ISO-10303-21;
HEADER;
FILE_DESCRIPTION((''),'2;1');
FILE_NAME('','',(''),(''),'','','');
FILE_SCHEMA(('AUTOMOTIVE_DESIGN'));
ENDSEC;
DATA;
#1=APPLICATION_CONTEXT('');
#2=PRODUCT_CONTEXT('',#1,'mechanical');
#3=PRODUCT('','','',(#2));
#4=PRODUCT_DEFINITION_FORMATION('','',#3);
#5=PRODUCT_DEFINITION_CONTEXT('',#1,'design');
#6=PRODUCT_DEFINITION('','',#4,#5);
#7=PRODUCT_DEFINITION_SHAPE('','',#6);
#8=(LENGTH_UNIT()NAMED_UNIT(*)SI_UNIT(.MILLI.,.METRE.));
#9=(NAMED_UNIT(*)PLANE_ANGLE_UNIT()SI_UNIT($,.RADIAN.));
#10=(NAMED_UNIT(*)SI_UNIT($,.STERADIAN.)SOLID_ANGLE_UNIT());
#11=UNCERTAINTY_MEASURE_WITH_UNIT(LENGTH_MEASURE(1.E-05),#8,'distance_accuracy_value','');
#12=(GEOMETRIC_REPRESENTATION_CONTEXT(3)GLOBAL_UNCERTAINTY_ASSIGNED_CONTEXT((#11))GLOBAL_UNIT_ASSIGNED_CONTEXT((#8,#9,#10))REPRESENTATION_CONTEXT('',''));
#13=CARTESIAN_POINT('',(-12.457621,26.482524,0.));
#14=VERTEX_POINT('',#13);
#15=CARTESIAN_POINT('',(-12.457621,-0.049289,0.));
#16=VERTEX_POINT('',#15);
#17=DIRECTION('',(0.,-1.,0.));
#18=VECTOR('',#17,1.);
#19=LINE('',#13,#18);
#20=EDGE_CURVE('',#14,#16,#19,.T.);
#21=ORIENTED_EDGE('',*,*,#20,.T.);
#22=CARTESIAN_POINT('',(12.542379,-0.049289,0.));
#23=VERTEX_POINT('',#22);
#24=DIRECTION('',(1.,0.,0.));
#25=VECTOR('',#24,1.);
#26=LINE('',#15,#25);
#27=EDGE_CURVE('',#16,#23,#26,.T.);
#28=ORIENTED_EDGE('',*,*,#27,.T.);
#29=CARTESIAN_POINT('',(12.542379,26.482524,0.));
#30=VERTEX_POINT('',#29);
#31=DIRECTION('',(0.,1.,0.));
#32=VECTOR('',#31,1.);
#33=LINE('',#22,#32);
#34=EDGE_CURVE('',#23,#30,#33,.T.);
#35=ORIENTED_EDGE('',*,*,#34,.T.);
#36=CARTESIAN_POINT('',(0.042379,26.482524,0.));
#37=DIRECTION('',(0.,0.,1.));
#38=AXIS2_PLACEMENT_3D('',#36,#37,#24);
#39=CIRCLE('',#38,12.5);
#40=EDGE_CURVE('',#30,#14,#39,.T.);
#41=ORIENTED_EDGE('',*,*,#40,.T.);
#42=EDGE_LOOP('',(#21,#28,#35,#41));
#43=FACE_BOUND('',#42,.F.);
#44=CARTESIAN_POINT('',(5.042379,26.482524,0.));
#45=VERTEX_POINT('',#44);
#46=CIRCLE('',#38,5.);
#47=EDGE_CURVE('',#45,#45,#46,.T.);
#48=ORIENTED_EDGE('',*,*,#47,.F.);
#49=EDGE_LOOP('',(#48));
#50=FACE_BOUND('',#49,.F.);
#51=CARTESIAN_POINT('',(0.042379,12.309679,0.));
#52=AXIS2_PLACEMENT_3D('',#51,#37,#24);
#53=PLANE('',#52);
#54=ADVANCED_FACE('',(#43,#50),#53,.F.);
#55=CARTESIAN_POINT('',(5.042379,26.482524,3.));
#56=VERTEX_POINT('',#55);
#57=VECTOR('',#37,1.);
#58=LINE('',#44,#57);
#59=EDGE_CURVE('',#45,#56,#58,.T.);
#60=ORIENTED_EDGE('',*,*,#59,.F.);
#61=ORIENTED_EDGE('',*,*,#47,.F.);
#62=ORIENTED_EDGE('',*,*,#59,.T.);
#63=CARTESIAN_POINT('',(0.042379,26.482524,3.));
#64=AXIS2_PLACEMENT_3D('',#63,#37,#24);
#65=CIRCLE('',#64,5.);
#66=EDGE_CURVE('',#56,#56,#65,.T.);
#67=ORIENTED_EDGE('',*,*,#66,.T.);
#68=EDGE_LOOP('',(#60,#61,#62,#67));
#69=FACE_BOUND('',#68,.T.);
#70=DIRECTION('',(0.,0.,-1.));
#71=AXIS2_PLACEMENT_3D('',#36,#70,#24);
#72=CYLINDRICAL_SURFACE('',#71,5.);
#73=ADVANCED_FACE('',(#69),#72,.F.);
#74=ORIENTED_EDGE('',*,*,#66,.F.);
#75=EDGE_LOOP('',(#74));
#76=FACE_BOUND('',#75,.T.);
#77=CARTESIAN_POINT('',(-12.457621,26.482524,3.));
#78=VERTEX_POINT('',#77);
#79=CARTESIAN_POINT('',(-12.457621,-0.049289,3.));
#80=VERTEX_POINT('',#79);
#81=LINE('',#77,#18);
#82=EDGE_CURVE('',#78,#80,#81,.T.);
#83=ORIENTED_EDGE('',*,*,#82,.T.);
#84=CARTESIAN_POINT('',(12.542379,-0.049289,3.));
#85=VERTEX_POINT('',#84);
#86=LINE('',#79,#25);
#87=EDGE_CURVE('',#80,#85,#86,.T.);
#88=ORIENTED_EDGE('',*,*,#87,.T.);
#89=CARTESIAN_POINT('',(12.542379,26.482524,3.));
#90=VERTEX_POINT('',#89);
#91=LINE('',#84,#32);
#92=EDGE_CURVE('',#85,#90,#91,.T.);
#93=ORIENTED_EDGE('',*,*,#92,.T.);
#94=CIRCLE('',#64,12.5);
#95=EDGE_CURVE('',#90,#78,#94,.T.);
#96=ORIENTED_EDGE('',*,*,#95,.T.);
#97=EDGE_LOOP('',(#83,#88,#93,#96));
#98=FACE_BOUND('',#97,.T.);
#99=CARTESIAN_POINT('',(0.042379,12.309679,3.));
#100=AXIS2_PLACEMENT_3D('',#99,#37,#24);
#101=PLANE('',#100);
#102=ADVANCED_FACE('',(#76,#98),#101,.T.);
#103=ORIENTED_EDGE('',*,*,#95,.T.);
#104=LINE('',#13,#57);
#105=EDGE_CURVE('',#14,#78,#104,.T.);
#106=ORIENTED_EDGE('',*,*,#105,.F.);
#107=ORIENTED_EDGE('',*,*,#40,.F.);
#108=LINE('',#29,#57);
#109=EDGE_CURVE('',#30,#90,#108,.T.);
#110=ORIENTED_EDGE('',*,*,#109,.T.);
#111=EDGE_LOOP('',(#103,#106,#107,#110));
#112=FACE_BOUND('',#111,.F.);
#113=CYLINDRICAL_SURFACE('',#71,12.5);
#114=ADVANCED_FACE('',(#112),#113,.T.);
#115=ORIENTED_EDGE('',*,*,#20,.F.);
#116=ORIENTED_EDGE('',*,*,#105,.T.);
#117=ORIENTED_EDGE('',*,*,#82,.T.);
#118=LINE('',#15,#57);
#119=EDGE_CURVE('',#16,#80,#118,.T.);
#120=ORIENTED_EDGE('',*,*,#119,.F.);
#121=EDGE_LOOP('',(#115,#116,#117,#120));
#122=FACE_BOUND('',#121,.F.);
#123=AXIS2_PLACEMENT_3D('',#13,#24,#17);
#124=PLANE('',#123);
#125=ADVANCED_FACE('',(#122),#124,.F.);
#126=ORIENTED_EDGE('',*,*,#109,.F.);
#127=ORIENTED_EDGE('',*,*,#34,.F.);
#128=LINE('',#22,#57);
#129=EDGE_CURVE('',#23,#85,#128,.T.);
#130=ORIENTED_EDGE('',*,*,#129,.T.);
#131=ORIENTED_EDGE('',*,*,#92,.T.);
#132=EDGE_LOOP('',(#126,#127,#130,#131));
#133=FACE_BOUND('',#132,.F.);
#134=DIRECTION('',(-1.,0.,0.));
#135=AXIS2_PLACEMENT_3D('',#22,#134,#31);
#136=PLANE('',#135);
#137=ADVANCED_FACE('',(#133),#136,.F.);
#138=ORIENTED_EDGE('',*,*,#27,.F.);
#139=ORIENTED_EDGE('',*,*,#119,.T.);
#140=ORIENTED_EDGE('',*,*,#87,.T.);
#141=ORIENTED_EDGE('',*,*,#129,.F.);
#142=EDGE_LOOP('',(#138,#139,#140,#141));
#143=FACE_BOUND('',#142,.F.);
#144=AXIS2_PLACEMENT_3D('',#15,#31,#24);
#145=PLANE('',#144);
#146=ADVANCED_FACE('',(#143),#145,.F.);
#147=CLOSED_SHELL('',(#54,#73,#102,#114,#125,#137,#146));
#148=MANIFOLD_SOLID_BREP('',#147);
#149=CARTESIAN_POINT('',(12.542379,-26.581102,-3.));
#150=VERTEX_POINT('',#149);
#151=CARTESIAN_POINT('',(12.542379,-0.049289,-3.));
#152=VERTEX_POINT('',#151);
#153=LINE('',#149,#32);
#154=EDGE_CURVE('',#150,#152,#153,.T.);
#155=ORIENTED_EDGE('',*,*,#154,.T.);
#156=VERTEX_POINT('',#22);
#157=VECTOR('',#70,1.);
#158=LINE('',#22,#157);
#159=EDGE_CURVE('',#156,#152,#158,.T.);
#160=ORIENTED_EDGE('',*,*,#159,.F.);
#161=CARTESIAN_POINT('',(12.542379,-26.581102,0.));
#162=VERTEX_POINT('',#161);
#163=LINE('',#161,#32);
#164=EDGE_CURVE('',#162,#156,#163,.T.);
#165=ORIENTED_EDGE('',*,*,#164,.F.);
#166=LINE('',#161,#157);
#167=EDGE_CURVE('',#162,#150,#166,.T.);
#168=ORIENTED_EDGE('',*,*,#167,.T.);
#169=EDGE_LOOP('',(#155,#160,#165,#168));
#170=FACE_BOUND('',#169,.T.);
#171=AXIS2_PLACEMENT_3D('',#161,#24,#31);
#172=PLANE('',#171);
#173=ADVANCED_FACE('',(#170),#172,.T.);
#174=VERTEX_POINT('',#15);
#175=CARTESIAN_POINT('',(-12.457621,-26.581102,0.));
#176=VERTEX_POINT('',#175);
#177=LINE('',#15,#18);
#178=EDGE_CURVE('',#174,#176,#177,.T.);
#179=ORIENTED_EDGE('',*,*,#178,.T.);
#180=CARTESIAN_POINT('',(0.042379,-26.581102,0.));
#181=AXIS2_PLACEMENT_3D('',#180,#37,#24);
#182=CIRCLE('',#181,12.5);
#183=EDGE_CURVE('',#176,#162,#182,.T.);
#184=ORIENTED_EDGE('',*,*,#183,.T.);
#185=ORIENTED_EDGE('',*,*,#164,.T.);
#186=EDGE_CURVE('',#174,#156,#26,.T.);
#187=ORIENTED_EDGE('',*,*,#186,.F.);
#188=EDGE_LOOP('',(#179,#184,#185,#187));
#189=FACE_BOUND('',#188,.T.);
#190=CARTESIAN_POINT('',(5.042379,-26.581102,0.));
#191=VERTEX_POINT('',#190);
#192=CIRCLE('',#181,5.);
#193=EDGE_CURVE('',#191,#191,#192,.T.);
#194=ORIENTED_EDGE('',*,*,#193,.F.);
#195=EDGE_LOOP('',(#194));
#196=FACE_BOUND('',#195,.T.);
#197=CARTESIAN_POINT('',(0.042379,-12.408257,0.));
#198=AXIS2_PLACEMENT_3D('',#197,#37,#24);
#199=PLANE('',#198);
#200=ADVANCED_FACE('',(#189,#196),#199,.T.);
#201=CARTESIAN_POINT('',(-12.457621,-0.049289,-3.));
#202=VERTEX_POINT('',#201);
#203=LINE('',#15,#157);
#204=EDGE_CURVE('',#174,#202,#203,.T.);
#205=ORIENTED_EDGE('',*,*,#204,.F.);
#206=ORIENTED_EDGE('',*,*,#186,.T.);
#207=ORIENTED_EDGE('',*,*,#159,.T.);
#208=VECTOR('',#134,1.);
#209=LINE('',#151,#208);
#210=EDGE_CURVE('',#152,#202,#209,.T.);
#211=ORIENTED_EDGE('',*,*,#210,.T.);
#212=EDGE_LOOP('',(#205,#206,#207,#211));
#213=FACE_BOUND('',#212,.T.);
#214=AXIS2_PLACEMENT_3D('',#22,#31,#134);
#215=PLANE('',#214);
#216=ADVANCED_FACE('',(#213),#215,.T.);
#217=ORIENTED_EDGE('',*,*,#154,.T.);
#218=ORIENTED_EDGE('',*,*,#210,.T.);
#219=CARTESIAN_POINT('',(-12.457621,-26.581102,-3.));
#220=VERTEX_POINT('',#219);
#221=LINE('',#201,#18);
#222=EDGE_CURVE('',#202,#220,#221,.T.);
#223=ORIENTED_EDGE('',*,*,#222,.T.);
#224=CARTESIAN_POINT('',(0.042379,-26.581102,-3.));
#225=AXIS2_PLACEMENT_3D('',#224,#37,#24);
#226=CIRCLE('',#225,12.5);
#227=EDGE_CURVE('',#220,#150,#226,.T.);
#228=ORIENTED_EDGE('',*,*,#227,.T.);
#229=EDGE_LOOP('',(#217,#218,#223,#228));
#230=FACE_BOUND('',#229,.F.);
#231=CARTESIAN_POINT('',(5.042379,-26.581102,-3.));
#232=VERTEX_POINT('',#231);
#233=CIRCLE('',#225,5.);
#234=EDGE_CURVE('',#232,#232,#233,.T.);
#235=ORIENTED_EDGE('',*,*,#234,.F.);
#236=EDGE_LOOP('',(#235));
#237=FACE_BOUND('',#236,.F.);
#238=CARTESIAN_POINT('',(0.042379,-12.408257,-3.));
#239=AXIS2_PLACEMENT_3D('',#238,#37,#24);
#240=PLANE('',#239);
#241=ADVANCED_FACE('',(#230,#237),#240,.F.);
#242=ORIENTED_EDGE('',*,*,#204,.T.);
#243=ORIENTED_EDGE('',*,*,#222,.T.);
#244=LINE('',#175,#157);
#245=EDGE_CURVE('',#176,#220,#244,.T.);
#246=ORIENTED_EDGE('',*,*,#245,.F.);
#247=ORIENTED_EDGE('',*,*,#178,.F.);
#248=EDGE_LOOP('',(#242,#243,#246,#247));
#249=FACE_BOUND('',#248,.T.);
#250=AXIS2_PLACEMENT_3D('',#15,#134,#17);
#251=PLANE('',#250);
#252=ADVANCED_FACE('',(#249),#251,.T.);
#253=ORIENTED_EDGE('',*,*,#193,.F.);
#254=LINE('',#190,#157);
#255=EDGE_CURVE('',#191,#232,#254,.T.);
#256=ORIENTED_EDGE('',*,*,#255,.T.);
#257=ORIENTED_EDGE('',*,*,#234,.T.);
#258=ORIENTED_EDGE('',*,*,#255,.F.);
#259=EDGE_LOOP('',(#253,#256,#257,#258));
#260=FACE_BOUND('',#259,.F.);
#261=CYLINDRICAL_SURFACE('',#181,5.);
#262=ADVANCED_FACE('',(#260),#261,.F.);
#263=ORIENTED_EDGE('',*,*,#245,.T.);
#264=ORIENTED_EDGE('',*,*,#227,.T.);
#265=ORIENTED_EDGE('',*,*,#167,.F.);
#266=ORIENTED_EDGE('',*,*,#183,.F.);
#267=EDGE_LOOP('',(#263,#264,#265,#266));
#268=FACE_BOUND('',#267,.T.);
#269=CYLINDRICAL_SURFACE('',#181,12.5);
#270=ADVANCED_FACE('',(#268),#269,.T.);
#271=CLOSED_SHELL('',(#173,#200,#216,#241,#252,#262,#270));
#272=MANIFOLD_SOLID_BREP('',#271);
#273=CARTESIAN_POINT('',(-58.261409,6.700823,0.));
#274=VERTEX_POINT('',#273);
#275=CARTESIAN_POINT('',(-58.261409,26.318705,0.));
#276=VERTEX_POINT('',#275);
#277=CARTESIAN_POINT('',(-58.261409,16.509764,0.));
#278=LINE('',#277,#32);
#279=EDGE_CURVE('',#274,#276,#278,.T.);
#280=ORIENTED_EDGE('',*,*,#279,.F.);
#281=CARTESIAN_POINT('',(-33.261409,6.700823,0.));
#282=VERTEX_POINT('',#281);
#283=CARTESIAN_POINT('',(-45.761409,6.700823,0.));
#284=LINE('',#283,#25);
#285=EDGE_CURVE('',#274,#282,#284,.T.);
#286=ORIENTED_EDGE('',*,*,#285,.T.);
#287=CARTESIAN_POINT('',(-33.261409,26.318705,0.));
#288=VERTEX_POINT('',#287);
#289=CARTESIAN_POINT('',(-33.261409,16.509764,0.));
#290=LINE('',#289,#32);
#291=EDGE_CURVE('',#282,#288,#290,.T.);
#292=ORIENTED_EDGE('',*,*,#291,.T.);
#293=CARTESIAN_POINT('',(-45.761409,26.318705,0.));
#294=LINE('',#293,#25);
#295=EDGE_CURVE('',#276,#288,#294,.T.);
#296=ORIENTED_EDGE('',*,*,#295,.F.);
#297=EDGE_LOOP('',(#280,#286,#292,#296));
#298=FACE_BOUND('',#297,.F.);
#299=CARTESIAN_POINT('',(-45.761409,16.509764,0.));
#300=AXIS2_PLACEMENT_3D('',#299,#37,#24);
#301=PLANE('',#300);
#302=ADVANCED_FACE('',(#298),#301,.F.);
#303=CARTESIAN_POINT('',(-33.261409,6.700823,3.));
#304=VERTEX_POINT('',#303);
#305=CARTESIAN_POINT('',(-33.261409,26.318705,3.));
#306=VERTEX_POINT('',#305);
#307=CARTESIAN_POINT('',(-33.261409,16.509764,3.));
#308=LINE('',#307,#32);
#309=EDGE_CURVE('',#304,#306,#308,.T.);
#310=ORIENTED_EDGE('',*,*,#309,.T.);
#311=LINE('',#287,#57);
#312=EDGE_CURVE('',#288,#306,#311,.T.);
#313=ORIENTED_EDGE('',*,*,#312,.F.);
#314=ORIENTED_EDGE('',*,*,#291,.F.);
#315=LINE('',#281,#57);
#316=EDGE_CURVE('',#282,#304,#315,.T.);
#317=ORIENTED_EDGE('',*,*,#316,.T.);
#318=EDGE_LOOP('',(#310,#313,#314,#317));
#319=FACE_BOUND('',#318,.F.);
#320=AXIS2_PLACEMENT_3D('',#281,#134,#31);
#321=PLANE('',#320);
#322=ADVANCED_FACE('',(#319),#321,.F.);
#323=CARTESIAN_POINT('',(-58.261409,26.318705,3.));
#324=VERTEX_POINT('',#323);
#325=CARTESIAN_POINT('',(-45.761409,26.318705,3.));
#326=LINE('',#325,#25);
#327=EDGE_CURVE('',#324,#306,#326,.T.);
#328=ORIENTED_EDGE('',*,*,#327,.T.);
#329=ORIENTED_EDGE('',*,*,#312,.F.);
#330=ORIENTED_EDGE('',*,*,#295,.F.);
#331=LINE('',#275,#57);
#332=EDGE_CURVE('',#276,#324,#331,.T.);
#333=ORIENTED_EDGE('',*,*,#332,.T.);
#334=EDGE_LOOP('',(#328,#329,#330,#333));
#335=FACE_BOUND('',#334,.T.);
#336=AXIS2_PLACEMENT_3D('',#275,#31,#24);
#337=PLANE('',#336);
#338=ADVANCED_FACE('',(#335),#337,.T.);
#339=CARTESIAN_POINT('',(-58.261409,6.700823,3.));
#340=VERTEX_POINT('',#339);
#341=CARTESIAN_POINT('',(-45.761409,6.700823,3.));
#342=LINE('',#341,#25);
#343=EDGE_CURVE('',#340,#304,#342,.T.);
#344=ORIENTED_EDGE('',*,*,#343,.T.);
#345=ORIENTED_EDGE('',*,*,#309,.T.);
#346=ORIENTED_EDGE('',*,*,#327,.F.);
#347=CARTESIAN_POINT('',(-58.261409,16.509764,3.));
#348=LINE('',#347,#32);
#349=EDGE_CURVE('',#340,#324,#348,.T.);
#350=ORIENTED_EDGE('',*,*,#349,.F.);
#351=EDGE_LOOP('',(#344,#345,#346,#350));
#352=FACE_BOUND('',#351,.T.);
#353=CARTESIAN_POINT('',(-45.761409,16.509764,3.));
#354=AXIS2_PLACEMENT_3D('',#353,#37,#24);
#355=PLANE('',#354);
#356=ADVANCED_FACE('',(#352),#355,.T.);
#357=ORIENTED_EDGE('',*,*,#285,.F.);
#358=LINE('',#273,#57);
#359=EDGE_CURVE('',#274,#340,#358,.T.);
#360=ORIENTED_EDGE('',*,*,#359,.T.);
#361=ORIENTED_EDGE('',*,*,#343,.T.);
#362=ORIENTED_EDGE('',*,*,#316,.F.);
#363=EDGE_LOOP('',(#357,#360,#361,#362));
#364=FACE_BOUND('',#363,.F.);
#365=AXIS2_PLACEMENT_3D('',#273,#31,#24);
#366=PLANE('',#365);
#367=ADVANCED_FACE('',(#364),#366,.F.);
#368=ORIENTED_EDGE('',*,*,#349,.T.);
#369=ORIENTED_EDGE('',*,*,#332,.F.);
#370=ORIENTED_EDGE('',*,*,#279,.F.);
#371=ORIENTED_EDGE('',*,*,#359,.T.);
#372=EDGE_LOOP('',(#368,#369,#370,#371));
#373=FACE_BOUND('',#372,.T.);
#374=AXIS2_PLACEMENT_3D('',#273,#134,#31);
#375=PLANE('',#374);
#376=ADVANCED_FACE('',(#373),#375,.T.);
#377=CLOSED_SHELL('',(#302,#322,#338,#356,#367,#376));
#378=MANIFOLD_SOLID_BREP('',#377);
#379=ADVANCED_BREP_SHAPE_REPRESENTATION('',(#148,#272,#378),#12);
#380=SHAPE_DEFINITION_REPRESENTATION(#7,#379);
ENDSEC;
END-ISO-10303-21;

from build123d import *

# Parameters (mm, degrees)
F0_R     = 5
F1_DEPTH = 3
F2_DEPTH = 3
F0_W     = 25
F0_H     = 19.617882
F3_DEPTH = 3


with BuildPart() as f1:
    # F0 (on Top) → F1 (new body)
    with BuildSketch(Plane.XY):
        with BuildLine():
            Line((12.542379, -0.049289), (12.542379, 26.482524))
            ThreePointArc((12.542379, 26.482524), (0.042379, 13.982524), (-12.457621, 26.482524))
            Line((-12.457621, 26.482524), (-12.457621, -0.049289))
            Line((-12.457621, -0.049289), (12.542379, -0.049289))
        make_face()
        with BuildLine():
            ThreePointArc((-12.457621, 26.482524), (0.042379, 13.982524), (12.542379, 26.482524))
            ThreePointArc((12.542379, 26.482524), (0.042379, 38.982524), (-12.457621, 26.482524))
        make_face()
        with Locations((0.042379, 26.482524)):
            Circle(F0_R, mode=Mode.SUBTRACT)
    extrude(amount=F1_DEPTH)

    # F0 (on Top) → F2 (join)
    with BuildSketch(Plane.XY):
        with BuildLine():
            Line((12.542379, -26.581102), (12.542379, -0.049289))
            Line((12.542379, -0.049289), (-12.457621, -0.049289))
            Line((-12.457621, -0.049289), (-12.457621, -26.581102))
            ThreePointArc((-12.457621, -26.581102), (0.042379, -14.081102), (12.542379, -26.581102))
        make_face()
        with BuildLine():
            ThreePointArc((-12.457621, -26.581102), (0.042379, -39.081102), (12.542379, -26.581102))
            ThreePointArc((12.542379, -26.581102), (0.042379, -14.081102), (-12.457621, -26.581102))
        make_face()
        with Locations((0.042379, -26.581102)):
            Circle(F0_R, mode=Mode.SUBTRACT)
    extrude(amount=-F2_DEPTH)


with BuildPart() as f3:
    # F0 (on Top) → F3 (new body)
    with BuildSketch(Plane.XY):
        with Locations((-45.761409, 16.509764)):
            Rectangle(F0_W, F0_H)
    extrude(amount=F3_DEPTH)


solid = Compound([f1.part, f3.part])
